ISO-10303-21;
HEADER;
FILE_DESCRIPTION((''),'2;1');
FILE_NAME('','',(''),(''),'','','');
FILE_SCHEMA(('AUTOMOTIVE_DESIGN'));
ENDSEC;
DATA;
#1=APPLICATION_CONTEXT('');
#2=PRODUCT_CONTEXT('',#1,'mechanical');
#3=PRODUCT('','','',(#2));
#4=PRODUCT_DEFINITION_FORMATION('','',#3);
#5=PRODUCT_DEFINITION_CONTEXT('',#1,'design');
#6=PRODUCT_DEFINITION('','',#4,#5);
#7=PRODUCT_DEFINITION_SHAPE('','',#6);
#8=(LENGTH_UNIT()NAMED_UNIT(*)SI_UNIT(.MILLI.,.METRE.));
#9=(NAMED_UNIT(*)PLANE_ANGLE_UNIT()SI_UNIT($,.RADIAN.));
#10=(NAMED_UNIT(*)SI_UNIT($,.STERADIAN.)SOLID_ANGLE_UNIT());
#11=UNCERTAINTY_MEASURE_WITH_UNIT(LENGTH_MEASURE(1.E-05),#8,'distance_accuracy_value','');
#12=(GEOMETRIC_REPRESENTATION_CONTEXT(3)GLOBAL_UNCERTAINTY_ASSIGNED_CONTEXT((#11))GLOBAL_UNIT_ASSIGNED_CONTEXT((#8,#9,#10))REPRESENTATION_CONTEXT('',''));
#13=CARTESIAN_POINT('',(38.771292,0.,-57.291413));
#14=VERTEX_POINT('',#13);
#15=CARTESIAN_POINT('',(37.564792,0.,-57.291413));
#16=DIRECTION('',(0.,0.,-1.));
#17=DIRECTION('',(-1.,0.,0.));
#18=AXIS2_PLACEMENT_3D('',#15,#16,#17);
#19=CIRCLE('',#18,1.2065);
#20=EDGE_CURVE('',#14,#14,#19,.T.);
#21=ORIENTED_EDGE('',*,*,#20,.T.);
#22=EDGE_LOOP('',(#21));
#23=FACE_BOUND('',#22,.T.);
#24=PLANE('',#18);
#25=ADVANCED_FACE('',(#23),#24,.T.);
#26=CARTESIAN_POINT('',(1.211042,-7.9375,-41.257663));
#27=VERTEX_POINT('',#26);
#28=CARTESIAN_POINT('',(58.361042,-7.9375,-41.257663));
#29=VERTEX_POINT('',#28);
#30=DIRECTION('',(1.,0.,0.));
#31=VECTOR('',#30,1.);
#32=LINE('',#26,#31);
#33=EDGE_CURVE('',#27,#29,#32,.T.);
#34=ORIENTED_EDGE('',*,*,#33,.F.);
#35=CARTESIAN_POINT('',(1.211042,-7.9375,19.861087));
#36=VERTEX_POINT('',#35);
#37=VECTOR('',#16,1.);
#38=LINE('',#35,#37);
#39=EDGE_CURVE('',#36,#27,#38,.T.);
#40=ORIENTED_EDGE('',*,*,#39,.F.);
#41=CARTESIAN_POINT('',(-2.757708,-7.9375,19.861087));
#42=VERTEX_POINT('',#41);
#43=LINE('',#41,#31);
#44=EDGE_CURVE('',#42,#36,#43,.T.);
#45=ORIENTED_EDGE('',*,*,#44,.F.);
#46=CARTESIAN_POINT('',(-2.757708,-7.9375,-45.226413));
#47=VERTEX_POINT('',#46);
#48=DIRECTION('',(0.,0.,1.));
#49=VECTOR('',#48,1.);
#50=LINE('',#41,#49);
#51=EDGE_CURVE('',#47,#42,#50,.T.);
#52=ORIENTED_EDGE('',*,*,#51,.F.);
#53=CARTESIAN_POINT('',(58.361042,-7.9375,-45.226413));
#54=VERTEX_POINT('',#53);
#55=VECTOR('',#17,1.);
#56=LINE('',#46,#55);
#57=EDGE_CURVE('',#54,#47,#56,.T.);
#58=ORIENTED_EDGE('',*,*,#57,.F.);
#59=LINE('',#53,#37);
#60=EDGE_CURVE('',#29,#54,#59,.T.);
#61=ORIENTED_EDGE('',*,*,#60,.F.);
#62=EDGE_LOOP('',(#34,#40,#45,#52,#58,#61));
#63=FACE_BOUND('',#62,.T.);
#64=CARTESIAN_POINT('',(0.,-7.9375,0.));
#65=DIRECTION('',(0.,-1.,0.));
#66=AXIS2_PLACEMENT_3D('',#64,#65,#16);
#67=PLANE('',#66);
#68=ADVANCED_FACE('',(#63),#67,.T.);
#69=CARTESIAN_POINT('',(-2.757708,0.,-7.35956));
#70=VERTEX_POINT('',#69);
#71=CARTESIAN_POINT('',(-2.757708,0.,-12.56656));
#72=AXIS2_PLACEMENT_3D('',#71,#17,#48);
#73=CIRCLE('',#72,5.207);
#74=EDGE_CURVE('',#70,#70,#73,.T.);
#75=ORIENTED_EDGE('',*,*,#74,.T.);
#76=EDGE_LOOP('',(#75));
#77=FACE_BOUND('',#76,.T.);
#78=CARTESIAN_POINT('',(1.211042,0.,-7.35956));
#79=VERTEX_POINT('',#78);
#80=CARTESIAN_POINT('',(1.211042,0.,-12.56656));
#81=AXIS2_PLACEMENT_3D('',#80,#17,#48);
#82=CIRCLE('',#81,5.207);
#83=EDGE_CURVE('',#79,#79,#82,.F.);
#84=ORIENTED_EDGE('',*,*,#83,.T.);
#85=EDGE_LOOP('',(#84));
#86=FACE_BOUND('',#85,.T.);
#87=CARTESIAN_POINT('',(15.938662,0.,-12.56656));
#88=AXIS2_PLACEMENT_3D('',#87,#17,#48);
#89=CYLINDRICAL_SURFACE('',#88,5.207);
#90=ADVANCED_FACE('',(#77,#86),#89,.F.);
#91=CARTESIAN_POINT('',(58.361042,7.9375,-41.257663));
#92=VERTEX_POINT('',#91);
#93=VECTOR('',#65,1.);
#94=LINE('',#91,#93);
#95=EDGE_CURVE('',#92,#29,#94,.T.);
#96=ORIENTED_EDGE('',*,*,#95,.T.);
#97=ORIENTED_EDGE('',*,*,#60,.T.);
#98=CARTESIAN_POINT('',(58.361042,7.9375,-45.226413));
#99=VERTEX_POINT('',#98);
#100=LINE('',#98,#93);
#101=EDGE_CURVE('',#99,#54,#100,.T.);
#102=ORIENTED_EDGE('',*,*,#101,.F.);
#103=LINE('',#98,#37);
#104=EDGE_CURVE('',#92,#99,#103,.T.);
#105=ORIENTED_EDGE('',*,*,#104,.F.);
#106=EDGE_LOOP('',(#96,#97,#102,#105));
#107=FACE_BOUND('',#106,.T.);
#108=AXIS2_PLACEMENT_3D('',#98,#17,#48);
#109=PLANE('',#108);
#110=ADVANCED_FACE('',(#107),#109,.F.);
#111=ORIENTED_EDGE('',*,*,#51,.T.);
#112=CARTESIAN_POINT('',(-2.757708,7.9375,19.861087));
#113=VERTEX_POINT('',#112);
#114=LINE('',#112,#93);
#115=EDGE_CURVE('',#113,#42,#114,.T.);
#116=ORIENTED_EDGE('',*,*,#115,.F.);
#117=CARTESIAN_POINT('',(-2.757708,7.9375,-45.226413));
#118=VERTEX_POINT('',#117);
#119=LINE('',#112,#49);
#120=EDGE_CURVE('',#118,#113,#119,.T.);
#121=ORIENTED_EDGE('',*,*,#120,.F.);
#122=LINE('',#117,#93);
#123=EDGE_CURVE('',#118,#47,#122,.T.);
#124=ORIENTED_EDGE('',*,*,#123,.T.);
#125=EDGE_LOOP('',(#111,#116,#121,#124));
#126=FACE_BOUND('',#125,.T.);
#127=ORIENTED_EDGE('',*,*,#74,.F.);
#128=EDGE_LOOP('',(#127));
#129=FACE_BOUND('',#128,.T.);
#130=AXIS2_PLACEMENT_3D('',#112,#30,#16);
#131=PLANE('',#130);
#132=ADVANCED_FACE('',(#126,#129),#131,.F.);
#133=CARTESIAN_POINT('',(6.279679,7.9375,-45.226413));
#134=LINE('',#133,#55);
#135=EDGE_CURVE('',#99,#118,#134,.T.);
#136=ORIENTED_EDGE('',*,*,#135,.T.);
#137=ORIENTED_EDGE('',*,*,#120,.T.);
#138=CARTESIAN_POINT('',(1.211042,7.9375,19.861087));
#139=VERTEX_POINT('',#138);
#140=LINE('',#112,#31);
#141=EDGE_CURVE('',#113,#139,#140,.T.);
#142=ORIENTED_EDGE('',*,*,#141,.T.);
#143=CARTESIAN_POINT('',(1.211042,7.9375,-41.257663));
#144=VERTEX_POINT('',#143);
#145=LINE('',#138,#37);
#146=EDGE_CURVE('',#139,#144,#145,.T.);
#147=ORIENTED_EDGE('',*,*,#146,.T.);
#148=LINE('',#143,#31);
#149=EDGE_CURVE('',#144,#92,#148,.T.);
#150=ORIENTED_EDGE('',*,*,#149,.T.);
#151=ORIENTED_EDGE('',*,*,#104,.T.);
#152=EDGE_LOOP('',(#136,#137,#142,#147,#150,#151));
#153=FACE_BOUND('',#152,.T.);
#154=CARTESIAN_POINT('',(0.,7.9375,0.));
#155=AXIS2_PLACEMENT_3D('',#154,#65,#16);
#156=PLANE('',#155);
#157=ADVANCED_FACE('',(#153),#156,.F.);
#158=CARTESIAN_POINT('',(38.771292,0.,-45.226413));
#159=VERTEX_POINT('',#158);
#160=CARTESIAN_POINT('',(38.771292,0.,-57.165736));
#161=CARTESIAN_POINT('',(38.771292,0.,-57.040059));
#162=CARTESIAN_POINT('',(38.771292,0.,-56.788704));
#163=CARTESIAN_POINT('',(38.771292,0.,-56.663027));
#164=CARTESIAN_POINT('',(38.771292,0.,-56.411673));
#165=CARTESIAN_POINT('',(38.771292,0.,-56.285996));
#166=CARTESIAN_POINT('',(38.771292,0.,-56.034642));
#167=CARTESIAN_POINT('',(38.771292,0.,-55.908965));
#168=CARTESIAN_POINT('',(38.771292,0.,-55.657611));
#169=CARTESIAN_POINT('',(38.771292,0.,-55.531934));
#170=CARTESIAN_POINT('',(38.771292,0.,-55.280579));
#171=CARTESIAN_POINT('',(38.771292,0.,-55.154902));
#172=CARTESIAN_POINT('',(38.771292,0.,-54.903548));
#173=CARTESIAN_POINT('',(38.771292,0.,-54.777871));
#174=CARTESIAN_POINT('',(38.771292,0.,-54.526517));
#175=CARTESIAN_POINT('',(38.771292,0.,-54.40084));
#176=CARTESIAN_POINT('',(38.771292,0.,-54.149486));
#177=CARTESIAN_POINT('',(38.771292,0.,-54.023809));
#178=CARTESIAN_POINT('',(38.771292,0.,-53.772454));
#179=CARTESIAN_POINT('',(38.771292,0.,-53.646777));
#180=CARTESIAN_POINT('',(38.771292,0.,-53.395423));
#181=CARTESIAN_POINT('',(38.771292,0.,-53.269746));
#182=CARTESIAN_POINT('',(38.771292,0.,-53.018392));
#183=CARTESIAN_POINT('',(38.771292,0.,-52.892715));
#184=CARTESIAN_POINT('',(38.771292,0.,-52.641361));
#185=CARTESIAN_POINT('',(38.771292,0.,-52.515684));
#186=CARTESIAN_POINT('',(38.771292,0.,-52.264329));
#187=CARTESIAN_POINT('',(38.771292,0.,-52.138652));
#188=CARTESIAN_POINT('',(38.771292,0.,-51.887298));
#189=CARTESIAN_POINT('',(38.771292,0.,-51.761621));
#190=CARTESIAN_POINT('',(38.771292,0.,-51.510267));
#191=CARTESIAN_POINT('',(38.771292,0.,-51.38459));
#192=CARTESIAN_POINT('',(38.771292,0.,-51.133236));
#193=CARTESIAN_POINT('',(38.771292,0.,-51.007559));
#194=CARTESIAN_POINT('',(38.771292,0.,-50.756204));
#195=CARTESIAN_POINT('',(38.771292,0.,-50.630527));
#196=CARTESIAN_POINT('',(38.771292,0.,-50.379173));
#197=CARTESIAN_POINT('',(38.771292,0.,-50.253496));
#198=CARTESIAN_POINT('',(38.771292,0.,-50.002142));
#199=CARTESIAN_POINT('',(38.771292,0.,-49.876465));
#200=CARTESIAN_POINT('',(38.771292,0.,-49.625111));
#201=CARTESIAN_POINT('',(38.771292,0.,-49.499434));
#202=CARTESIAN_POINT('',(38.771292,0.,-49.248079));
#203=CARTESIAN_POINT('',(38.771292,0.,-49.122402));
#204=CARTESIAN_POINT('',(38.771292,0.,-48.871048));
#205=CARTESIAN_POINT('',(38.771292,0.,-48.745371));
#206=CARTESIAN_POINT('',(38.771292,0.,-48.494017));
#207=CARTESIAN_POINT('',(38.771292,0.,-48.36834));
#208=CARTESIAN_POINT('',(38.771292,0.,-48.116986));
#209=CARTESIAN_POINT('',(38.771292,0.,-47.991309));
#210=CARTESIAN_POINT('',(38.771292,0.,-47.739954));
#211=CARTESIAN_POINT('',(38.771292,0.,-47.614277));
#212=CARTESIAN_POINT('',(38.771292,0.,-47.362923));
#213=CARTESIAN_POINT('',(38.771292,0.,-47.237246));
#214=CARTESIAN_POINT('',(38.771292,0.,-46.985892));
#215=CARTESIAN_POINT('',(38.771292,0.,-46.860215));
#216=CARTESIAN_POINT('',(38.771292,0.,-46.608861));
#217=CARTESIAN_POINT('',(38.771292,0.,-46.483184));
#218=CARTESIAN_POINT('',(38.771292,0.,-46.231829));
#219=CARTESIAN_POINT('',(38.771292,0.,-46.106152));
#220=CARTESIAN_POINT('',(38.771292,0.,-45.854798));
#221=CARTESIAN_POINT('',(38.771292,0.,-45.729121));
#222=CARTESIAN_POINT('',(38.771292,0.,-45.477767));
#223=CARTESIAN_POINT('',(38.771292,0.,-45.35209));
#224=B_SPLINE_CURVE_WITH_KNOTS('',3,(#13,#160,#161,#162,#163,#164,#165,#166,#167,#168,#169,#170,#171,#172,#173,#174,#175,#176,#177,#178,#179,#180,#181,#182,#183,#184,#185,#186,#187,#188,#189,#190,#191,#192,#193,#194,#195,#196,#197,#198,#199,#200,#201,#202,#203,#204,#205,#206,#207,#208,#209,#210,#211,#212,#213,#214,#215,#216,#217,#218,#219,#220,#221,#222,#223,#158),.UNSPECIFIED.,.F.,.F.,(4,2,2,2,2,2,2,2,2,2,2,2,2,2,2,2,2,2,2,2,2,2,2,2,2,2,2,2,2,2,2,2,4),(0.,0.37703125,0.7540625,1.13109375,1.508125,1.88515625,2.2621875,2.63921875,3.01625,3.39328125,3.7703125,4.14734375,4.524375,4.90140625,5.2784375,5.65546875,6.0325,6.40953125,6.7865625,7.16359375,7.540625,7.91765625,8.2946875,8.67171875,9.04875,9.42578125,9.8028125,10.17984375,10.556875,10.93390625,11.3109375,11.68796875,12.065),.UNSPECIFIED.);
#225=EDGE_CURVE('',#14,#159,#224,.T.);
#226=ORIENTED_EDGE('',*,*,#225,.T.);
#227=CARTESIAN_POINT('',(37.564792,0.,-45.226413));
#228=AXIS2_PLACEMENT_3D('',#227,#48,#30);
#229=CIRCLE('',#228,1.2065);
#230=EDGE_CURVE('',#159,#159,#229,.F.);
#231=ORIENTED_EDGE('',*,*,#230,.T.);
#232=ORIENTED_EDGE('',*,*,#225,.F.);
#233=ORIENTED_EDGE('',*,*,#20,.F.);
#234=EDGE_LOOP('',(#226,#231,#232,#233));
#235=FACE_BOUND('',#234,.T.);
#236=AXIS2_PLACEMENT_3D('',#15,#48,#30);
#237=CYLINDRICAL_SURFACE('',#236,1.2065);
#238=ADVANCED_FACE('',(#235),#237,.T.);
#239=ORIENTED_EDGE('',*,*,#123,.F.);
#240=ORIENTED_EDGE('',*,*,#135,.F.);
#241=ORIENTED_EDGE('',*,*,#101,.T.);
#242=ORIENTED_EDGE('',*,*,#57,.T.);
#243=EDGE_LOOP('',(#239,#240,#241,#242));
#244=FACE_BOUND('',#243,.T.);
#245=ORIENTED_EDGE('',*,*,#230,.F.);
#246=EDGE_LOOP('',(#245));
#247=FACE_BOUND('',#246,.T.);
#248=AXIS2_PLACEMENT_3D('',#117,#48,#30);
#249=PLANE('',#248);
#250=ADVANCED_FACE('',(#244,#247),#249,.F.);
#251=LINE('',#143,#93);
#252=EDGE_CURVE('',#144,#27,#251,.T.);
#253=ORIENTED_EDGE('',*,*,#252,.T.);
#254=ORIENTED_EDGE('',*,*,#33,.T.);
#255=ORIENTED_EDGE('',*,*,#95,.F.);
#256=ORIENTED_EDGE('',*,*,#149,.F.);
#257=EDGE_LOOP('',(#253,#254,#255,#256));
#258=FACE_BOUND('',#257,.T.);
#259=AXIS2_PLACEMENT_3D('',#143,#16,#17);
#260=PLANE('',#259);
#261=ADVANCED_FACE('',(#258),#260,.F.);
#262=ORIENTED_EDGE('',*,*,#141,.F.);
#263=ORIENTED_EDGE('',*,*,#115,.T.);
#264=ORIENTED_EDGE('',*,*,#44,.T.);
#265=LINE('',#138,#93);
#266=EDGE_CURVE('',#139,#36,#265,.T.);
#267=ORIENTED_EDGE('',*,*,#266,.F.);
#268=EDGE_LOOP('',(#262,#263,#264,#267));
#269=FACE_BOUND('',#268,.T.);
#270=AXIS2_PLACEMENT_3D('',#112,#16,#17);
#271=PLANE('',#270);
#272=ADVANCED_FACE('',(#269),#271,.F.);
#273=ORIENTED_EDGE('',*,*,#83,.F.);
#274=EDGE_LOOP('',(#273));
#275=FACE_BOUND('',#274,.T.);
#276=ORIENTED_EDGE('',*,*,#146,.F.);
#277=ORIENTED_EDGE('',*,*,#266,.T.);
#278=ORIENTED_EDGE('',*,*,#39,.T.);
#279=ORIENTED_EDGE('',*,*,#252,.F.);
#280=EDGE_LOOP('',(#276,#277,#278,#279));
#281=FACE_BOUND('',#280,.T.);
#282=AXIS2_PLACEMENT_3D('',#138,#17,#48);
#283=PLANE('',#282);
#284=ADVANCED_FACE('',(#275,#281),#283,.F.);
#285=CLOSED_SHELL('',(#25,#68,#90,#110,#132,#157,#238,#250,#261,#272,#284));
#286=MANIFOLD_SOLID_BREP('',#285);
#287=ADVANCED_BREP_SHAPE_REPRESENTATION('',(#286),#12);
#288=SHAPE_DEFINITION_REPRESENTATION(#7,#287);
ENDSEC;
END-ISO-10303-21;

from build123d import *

# Parameters (mm, degrees)
BOSS_EXTRUDE1_DEPTH = 7.9375
SKETCH3_R           = 5.207
CUT_EXTRUDE1_DEPTH  = 3.96875
SKETCH4_R           = 1.2065
BOSS_EXTRUDE2_DEPTH = 12.065


with BuildPart() as part:
    # Sketch1 → Boss-Extrude1 (new, symmetric)
    with BuildSketch(Plane(origin=(0, 0, 0), x_dir=(1, 0, 0), z_dir=(0, 1, 0))):
        Polygon((-2.757708096, -19.86108723), (1.211041904, -19.86108723), (1.211041904, 41.25766277), (58.361041904, 41.25766277), (58.361041904, 45.22641277), (6.27967861, 45.22641277), (-2.757708096, 45.22641277), align=None)
    extrude(amount=BOSS_EXTRUDE1_DEPTH, both=True)

    # Sketch3 → Cut-Extrude1 (cut)
    with BuildSketch(Plane.ZY.offset(2.757708096)):
        with Locations((-12.566559842, 0)):
            Circle(SKETCH3_R)
    extrude(amount=-CUT_EXTRUDE1_DEPTH, mode=Mode.SUBTRACT)

    # Sketch4 → Boss-Extrude2 (add)
    with BuildSketch(Plane(origin=(0, 0, -45.22641277), x_dir=(-1, 0, 0), z_dir=(0, 0, -1))):
        with Locations(Location((-37.564791904, 0, 0), (0, 0, 180))):
            Circle(SKETCH4_R)
    extrude(amount=BOSS_EXTRUDE2_DEPTH)


solid = part.part
